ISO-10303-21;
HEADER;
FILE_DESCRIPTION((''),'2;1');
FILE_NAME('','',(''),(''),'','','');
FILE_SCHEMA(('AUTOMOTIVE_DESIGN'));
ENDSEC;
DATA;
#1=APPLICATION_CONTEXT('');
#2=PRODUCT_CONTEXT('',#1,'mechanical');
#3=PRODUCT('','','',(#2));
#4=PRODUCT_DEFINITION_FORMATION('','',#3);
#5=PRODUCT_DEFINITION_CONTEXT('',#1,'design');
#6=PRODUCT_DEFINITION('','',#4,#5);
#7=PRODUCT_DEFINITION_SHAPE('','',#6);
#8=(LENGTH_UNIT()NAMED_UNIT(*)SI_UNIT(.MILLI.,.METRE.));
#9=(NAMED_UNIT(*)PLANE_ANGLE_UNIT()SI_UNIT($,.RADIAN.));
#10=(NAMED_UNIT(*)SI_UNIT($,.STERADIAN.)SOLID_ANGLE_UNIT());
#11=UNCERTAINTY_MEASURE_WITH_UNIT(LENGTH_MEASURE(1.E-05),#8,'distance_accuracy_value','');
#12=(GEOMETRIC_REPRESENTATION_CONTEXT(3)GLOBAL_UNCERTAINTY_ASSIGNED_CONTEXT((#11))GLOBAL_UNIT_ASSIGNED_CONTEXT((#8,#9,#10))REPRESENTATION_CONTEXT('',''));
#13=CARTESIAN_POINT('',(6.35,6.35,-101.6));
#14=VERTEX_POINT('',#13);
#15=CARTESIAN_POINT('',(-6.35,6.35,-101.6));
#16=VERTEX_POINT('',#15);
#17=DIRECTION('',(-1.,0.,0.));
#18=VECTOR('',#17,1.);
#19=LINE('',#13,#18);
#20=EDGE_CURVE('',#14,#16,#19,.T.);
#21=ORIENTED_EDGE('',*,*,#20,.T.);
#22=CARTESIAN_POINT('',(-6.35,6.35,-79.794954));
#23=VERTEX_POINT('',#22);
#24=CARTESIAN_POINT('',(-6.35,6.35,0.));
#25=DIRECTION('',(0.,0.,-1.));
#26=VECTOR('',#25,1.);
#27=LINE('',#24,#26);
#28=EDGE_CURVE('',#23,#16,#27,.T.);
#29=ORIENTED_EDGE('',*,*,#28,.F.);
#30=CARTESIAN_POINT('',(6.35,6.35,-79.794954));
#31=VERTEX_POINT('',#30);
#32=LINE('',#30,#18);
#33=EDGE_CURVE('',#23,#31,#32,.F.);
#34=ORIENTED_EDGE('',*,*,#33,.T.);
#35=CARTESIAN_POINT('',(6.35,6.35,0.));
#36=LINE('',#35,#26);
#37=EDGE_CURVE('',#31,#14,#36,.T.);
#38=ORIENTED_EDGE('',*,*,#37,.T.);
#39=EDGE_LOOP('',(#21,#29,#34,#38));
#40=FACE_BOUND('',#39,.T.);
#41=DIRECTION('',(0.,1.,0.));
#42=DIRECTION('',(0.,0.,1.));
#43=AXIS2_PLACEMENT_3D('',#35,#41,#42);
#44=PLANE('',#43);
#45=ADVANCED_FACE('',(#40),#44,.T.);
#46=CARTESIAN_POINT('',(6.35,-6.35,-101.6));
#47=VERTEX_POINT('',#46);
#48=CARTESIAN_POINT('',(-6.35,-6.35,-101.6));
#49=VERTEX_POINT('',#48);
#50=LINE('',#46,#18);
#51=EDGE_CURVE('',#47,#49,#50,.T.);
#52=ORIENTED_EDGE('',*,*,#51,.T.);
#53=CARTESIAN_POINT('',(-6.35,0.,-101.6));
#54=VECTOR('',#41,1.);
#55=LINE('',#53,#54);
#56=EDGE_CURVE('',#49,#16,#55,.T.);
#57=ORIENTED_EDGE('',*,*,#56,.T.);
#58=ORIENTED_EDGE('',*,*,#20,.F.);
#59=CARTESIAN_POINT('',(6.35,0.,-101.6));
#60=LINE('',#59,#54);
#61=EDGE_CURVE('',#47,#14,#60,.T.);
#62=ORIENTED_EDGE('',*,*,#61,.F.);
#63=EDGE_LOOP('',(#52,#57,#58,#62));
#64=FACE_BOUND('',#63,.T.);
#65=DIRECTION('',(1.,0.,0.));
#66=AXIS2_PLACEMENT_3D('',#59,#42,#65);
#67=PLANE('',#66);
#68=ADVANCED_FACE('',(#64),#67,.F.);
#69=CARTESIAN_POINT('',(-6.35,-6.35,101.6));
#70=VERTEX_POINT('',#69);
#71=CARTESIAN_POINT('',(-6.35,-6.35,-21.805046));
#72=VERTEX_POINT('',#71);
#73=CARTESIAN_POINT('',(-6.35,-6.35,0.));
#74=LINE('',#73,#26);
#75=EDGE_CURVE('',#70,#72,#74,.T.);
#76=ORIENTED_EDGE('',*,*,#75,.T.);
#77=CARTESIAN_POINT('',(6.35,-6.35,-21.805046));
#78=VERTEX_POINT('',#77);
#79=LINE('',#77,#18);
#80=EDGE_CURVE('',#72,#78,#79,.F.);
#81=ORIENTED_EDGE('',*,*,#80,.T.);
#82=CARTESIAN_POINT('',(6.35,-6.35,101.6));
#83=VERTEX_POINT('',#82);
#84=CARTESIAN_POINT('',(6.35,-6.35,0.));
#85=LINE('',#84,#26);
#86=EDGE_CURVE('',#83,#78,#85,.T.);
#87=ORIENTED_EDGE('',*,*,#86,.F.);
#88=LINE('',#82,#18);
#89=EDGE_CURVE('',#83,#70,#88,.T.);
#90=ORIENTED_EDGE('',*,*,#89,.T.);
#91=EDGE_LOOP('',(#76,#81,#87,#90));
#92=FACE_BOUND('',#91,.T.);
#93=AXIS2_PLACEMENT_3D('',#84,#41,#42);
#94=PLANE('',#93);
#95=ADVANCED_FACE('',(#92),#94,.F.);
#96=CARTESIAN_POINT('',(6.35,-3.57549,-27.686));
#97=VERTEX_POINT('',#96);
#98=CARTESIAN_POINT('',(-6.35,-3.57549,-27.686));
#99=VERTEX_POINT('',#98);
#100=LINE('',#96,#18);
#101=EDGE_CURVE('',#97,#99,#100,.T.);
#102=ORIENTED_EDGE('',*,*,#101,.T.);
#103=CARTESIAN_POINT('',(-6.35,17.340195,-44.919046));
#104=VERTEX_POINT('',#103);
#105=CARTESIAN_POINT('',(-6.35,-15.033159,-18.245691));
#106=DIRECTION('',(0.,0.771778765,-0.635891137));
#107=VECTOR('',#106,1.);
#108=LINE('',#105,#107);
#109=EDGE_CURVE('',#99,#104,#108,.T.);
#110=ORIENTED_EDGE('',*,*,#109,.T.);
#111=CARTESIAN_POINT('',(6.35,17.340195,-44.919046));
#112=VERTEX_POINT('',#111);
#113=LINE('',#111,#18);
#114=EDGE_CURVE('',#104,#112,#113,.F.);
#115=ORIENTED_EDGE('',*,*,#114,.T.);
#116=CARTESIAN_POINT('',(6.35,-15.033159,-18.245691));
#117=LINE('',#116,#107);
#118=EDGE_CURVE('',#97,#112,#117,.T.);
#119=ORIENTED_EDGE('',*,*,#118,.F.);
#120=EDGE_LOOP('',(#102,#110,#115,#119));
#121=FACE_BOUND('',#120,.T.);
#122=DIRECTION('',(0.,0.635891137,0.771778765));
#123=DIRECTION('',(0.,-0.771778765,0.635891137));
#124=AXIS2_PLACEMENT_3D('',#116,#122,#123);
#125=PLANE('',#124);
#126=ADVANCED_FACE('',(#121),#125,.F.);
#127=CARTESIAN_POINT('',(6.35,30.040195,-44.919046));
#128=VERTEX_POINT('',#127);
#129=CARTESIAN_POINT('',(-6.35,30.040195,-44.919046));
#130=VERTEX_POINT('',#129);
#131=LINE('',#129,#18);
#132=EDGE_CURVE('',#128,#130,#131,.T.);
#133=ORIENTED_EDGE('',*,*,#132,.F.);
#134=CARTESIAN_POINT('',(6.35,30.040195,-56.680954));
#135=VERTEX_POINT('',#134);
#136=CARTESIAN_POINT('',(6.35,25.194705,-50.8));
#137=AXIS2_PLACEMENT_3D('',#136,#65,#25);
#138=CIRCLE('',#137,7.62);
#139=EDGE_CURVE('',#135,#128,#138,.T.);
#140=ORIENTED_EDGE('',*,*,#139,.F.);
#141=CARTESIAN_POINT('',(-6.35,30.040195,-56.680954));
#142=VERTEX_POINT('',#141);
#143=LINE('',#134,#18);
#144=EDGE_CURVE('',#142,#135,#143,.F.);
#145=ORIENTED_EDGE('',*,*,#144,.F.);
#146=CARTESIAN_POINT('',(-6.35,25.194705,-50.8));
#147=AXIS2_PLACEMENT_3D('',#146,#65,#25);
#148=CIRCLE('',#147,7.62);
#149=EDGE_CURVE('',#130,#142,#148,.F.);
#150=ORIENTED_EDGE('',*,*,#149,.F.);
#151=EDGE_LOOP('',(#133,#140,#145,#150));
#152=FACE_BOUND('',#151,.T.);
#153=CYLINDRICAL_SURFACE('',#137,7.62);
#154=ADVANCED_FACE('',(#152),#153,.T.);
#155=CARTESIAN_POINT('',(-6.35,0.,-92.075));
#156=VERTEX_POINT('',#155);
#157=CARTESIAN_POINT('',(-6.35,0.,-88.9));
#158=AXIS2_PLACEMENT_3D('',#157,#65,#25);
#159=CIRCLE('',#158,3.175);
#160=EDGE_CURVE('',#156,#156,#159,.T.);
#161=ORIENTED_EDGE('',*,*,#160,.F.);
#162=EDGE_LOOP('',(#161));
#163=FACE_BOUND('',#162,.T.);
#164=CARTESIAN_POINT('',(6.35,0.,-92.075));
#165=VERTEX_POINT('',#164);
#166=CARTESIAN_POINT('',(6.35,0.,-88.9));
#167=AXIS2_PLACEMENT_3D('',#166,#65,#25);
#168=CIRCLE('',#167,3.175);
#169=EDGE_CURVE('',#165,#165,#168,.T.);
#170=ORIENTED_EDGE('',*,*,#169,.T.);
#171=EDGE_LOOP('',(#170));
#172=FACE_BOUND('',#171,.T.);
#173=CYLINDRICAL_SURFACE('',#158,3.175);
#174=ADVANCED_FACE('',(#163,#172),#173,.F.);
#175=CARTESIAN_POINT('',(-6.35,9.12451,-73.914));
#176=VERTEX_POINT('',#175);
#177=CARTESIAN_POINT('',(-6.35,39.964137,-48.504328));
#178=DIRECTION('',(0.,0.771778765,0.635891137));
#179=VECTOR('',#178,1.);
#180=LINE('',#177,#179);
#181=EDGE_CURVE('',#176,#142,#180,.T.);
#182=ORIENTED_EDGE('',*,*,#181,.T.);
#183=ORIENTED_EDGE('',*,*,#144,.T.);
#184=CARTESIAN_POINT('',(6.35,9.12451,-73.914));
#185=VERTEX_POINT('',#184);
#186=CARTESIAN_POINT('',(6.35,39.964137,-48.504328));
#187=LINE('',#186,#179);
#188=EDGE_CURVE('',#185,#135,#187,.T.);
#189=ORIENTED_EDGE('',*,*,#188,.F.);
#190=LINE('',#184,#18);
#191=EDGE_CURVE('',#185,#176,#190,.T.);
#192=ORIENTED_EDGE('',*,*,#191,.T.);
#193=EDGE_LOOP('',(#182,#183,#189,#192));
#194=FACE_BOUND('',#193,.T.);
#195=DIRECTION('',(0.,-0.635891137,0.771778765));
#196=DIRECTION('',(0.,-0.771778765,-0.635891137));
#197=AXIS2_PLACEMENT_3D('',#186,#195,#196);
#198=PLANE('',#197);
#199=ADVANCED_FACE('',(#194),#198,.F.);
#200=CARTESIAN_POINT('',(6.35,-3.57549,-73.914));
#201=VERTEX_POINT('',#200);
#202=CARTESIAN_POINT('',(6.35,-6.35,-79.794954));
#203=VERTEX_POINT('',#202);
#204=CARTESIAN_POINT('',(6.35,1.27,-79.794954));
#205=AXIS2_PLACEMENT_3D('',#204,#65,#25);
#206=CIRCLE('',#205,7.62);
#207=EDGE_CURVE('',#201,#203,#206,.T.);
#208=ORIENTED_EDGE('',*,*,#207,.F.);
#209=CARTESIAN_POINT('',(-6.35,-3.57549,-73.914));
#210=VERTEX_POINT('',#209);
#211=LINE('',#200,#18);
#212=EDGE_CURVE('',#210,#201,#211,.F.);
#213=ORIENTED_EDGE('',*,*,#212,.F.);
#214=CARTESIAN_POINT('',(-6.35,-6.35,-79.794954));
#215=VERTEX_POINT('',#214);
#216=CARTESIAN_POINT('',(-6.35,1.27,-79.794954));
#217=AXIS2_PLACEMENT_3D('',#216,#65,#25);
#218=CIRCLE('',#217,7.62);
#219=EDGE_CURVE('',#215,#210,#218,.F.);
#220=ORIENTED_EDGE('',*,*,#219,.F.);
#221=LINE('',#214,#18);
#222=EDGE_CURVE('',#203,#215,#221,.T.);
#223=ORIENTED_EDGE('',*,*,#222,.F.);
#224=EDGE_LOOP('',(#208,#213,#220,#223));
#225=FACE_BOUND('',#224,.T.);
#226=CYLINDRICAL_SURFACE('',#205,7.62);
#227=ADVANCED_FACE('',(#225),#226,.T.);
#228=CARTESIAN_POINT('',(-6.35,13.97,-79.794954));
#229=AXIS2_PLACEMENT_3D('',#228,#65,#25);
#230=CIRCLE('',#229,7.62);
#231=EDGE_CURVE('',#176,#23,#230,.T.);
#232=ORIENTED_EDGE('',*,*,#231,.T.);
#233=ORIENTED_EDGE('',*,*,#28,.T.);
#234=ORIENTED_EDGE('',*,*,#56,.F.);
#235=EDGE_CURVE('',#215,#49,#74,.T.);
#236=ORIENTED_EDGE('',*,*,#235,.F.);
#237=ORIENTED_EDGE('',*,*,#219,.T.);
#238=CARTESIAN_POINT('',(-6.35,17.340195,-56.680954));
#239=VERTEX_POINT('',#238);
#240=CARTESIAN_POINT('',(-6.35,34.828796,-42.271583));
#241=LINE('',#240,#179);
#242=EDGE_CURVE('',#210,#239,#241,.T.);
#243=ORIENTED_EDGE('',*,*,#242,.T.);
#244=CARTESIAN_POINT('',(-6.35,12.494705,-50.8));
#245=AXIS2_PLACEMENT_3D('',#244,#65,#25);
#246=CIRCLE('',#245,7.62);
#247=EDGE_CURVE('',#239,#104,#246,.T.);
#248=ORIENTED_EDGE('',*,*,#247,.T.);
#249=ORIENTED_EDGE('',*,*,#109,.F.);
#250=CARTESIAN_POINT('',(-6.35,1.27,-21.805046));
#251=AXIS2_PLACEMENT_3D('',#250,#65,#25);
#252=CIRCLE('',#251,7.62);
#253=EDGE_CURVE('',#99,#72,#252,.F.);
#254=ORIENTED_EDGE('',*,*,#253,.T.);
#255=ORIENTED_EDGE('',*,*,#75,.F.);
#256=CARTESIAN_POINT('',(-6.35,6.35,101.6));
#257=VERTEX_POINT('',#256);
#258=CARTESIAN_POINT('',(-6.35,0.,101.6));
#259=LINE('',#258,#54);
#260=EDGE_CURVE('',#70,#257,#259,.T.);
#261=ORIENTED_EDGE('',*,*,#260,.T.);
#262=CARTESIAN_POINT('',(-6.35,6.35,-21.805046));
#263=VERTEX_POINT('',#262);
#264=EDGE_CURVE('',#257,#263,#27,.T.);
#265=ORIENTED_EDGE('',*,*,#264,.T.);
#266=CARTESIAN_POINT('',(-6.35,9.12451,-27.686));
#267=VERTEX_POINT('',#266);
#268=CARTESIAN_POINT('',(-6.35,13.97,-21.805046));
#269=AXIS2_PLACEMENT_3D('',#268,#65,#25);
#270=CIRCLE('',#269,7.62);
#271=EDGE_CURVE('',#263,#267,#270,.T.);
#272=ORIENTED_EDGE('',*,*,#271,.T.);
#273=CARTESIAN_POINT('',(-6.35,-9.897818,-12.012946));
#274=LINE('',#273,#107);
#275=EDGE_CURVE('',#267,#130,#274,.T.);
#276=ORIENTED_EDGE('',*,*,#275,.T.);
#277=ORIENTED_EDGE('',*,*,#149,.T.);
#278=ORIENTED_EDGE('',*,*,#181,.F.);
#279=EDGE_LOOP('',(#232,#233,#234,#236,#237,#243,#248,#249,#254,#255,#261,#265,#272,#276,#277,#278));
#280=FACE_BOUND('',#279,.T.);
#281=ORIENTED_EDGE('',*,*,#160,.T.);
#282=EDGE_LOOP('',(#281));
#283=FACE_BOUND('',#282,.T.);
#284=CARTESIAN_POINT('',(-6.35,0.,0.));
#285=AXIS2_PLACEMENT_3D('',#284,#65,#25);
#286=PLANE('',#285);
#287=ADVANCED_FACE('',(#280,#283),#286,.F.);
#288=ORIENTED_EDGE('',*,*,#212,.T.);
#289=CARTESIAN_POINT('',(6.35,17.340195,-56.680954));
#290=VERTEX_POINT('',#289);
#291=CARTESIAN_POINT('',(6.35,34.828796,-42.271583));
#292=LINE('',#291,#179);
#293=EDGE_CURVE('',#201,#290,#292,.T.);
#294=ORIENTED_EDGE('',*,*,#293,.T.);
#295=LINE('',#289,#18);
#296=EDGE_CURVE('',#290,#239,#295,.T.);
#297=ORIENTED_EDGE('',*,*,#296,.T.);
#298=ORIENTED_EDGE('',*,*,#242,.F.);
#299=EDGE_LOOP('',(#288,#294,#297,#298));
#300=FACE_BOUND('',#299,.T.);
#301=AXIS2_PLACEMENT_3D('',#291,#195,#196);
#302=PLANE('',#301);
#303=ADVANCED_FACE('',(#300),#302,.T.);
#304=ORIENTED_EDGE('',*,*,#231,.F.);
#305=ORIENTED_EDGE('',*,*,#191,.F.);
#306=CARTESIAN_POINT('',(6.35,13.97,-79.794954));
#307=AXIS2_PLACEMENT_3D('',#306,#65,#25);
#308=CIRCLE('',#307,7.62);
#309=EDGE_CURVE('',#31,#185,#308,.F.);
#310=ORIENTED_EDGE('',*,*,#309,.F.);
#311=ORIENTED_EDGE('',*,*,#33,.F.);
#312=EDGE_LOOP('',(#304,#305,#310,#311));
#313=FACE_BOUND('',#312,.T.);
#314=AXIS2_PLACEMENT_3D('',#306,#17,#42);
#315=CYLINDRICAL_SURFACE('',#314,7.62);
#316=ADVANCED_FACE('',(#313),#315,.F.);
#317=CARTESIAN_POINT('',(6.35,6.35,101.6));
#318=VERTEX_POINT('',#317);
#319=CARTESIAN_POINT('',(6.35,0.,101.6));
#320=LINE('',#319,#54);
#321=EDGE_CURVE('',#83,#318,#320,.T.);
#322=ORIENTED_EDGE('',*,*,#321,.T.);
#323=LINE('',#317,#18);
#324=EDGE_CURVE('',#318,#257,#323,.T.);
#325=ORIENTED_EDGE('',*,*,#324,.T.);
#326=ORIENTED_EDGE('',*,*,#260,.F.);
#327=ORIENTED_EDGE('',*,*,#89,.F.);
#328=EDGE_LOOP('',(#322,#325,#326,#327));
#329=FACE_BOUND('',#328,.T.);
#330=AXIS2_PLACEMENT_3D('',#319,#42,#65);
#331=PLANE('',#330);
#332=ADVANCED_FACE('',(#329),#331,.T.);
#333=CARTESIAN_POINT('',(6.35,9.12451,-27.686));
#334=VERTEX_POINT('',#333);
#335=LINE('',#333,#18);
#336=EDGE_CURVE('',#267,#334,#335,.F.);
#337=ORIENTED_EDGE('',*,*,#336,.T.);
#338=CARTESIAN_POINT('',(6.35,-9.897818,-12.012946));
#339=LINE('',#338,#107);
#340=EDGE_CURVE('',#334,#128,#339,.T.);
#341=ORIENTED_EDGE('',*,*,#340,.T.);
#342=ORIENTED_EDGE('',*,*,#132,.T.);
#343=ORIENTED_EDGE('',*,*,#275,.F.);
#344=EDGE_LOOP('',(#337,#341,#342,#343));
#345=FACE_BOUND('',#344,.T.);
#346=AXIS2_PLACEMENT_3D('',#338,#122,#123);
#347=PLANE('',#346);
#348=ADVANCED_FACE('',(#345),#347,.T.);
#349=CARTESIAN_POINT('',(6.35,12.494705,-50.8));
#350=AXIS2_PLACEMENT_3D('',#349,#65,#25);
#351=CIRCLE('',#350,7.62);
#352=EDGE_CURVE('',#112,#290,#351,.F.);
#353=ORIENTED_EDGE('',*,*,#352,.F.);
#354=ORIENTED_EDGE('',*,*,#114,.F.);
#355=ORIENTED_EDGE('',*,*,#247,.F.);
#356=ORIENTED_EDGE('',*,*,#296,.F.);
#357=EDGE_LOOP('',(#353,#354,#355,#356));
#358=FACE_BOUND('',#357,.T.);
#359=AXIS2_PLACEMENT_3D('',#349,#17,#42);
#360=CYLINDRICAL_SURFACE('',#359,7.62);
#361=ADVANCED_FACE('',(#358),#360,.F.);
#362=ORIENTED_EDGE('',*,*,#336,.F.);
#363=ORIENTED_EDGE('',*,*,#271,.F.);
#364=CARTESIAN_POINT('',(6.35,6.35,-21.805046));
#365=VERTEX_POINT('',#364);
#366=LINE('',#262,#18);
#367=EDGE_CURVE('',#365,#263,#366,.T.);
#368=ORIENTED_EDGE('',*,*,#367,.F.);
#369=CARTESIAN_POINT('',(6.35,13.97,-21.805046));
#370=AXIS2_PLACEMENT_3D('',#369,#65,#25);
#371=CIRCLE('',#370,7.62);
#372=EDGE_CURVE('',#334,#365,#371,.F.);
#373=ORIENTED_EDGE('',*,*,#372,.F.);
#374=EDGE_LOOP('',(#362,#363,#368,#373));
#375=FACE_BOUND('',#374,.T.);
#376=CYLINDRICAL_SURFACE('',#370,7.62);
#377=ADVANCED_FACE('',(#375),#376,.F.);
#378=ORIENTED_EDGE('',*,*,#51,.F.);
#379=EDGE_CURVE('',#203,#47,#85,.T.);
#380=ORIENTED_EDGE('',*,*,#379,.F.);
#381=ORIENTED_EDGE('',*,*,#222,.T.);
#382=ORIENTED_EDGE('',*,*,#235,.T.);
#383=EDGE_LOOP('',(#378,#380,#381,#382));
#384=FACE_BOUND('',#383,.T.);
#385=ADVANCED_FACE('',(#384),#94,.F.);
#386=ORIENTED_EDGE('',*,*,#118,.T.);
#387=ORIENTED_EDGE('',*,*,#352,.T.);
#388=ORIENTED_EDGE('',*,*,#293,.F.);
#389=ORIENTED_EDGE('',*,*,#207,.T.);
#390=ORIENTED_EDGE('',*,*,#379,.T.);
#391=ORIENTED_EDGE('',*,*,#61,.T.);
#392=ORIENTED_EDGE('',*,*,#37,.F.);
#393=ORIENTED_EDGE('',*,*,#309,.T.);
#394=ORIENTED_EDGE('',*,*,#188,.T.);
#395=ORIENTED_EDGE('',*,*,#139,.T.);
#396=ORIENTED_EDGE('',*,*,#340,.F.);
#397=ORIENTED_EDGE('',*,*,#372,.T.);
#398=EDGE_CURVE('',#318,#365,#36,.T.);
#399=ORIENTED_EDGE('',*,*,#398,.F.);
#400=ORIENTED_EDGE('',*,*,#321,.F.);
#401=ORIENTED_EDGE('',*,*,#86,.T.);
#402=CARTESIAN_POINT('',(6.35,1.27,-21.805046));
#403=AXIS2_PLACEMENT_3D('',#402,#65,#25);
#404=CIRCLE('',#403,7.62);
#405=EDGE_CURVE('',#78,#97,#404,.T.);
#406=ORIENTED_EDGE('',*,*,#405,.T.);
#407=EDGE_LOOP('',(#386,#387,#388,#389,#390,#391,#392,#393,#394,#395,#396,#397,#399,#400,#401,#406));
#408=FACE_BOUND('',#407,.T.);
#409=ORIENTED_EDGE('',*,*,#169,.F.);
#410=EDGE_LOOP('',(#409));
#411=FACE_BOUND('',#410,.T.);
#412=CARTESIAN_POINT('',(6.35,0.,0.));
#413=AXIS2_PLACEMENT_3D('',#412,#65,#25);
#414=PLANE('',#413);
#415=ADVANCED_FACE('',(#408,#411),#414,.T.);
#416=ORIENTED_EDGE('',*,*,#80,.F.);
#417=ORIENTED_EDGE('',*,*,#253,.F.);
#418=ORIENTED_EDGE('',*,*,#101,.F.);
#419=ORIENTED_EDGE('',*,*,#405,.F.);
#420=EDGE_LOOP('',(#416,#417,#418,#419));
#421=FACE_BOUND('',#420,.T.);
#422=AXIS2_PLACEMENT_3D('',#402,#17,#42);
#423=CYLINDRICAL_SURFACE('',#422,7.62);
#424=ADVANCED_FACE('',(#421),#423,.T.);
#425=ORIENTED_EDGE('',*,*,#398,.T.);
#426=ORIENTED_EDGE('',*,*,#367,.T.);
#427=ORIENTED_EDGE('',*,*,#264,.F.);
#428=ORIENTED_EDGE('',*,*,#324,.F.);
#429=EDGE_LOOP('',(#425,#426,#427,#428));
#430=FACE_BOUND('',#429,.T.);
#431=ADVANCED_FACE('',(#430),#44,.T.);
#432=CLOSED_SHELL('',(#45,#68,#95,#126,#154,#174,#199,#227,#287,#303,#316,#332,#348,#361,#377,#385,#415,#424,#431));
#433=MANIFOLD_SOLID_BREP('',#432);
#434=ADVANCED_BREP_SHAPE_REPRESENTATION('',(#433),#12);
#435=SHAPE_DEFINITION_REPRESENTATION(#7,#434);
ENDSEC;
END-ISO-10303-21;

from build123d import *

# Parameters (mm, degrees)
SKETCH3_W           = 25.4
SKETCH3_H           = 12.7
SKETCH3_W_2         = 127
BOSS_EXTRUDE1_DEPTH = 6.35
FILLET1_R           = 7.62
SKETCH5_R           = 3.175
CUT_EXTRUDE2_DEPTH  = 13.7


with BuildPart() as part:
    # Sketch3 → Boss-Extrude1 (new body, symmetric)
    with BuildSketch(Plane(origin=(0, 0, 0), x_dir=(0, 0, -1), z_dir=(1, 0, 0))):
        with Locations((88.9, 0)):
            Rectangle(SKETCH3_W, SKETCH3_H)
        Polygon((76.2, 6.35), (50.8, 37.177887789), (50.8, 24.477887789), (65.736097893, 6.35), align=None)
        Polygon((65.736097893, 6.35), (76.2, -6.35), (76.2, 6.35), align=None)
        Polygon((50.8, 37.177887789), (25.4, 6.35), (35.863902107, 6.35), (50.8, 24.477887789), align=None)
        Polygon((35.863902107, 6.35), (25.4, 6.35), (25.4, -6.35), align=None)
        with Locations((-38.1, 0)):
            Rectangle(SKETCH3_W_2, SKETCH3_H)
    extrude(amount=BOSS_EXTRUDE1_DEPTH, both=True)

    # Fillet1
    fillet1_edges = [part.edges().sort_by_distance(p)[0] for p in [
        (0, -6.35, -76.2),
        (0, 24.477887789, -50.8),
        (0, -6.35, -25.4),
        (0, 6.35, -25.4),
        (0, 37.177887789, -50.8),
        (0, 6.35, -76.2),
    ]]
    fillet(fillet1_edges, radius=FILLET1_R)

    # Sketch5 → Cut-Extrude2 (cut, through all)
    with BuildSketch(Plane(origin=(6.35, 0, 0), x_dir=(0, 0, -1), z_dir=(1, 0, 0))):
        with Locations((88.9, 0)):
            Circle(SKETCH5_R)
    extrude(amount=-CUT_EXTRUDE2_DEPTH, mode=Mode.SUBTRACT)


solid = part.part
